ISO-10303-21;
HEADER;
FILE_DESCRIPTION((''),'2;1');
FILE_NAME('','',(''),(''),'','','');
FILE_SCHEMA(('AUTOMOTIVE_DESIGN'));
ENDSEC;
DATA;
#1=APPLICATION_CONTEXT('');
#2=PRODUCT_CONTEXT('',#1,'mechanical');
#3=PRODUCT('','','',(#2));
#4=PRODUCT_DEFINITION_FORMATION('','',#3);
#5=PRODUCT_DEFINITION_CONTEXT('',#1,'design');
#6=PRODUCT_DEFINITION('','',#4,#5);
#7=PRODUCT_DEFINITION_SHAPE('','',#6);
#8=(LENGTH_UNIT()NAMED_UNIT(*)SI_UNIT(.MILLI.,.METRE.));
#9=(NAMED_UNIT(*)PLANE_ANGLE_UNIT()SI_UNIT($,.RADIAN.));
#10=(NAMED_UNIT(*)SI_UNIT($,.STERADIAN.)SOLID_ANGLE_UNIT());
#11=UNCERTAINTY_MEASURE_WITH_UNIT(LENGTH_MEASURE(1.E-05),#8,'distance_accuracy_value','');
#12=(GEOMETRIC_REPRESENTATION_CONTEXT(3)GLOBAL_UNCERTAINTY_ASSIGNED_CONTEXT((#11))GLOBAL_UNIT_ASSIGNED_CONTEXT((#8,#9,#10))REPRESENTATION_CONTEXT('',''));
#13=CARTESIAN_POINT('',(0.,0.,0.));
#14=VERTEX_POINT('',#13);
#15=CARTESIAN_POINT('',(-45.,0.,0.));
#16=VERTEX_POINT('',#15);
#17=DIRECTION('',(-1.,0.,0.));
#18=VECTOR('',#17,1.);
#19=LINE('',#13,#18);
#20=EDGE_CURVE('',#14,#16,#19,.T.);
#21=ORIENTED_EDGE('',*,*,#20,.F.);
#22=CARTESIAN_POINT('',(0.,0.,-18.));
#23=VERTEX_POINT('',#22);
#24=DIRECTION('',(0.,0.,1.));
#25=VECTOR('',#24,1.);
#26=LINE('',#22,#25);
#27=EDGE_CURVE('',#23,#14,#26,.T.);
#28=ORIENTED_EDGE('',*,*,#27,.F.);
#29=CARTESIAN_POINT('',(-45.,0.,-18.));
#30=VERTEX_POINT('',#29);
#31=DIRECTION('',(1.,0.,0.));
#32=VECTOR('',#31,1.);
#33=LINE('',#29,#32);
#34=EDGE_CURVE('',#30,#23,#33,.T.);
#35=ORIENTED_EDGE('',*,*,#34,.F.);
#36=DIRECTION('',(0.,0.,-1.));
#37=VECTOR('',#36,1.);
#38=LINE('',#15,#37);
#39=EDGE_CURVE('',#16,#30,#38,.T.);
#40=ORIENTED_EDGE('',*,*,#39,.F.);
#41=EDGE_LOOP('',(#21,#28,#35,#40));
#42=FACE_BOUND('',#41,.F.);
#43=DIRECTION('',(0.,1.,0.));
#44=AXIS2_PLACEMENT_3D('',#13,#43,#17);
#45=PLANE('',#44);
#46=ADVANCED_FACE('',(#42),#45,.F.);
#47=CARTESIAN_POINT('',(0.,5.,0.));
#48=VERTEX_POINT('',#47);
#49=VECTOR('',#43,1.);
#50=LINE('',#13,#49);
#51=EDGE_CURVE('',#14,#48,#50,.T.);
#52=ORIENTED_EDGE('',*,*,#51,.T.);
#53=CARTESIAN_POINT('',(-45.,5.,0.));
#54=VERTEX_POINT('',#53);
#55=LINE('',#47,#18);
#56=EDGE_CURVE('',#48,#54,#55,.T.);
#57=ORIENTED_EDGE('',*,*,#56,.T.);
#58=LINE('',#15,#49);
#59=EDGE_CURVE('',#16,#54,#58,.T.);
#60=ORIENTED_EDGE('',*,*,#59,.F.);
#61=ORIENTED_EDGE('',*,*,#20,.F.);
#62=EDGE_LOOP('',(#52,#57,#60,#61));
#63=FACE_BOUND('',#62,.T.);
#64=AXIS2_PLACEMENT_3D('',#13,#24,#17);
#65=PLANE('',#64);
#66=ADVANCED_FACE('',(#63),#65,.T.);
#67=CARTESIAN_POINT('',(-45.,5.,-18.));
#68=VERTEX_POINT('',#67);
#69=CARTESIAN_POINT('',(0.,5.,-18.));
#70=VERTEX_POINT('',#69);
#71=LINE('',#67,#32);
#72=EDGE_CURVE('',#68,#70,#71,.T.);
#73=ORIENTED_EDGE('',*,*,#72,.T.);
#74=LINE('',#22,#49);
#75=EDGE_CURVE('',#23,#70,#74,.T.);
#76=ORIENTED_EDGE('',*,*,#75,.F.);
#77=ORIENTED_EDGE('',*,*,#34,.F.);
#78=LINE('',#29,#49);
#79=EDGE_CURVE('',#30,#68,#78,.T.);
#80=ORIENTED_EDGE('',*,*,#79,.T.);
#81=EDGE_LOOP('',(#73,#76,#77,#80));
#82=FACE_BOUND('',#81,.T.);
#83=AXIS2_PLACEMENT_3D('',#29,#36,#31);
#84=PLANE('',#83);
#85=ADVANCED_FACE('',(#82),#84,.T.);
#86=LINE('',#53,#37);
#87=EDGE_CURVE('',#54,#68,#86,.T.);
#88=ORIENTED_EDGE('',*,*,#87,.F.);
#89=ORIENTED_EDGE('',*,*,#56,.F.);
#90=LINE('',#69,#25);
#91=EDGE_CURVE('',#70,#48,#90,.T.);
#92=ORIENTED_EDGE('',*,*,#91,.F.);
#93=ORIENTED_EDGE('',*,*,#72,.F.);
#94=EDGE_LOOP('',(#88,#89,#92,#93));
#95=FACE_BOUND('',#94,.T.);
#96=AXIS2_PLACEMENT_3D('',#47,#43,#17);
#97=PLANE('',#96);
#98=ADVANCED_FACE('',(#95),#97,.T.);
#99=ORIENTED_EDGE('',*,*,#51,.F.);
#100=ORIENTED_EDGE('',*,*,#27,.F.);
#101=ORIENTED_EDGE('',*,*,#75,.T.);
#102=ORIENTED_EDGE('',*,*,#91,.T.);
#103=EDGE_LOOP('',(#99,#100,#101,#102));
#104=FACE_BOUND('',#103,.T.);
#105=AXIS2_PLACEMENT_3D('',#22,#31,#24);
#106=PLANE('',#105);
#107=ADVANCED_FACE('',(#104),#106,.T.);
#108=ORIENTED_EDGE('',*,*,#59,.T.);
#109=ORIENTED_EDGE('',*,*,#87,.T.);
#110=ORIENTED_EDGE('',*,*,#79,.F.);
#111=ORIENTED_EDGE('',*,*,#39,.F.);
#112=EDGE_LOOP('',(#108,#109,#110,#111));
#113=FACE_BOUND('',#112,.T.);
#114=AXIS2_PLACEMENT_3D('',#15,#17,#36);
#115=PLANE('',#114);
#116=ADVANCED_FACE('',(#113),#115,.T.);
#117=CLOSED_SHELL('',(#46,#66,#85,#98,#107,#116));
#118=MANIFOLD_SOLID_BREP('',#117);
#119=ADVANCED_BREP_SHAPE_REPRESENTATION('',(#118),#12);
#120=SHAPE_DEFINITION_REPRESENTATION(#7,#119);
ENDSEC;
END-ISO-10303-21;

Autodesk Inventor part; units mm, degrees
ref_plane "YZ Plane" through (0, 0, 0) normal (1, 0, 0) x (0, 1, 0)
ref_plane "XZ Plane" through (0, 0, 0) normal (0, 1, 0) x (-1, 0, 0)
ref_plane "XY Plane" through (0, 0, 0) normal (0, 0, 1) x (1, 0, 0)
sketch "Sketch1" plane through (0, 0, 0) normal (0, 1, 0) x (-1, 0, 0)
  line L0 (0, 0) -> (45, 0)
  line L1 (45, 0) -> (45, -18)
  line L2 (45, -18) -> (0, -18)
  line L3 (0, -18) -> (0, 0)
  dimension "d0" = 45
  dimension "d1" = 18
extrude "Extrusion1" add sketch "Sketch1" along normal blind 5
properties part number "Arduino Nano"
